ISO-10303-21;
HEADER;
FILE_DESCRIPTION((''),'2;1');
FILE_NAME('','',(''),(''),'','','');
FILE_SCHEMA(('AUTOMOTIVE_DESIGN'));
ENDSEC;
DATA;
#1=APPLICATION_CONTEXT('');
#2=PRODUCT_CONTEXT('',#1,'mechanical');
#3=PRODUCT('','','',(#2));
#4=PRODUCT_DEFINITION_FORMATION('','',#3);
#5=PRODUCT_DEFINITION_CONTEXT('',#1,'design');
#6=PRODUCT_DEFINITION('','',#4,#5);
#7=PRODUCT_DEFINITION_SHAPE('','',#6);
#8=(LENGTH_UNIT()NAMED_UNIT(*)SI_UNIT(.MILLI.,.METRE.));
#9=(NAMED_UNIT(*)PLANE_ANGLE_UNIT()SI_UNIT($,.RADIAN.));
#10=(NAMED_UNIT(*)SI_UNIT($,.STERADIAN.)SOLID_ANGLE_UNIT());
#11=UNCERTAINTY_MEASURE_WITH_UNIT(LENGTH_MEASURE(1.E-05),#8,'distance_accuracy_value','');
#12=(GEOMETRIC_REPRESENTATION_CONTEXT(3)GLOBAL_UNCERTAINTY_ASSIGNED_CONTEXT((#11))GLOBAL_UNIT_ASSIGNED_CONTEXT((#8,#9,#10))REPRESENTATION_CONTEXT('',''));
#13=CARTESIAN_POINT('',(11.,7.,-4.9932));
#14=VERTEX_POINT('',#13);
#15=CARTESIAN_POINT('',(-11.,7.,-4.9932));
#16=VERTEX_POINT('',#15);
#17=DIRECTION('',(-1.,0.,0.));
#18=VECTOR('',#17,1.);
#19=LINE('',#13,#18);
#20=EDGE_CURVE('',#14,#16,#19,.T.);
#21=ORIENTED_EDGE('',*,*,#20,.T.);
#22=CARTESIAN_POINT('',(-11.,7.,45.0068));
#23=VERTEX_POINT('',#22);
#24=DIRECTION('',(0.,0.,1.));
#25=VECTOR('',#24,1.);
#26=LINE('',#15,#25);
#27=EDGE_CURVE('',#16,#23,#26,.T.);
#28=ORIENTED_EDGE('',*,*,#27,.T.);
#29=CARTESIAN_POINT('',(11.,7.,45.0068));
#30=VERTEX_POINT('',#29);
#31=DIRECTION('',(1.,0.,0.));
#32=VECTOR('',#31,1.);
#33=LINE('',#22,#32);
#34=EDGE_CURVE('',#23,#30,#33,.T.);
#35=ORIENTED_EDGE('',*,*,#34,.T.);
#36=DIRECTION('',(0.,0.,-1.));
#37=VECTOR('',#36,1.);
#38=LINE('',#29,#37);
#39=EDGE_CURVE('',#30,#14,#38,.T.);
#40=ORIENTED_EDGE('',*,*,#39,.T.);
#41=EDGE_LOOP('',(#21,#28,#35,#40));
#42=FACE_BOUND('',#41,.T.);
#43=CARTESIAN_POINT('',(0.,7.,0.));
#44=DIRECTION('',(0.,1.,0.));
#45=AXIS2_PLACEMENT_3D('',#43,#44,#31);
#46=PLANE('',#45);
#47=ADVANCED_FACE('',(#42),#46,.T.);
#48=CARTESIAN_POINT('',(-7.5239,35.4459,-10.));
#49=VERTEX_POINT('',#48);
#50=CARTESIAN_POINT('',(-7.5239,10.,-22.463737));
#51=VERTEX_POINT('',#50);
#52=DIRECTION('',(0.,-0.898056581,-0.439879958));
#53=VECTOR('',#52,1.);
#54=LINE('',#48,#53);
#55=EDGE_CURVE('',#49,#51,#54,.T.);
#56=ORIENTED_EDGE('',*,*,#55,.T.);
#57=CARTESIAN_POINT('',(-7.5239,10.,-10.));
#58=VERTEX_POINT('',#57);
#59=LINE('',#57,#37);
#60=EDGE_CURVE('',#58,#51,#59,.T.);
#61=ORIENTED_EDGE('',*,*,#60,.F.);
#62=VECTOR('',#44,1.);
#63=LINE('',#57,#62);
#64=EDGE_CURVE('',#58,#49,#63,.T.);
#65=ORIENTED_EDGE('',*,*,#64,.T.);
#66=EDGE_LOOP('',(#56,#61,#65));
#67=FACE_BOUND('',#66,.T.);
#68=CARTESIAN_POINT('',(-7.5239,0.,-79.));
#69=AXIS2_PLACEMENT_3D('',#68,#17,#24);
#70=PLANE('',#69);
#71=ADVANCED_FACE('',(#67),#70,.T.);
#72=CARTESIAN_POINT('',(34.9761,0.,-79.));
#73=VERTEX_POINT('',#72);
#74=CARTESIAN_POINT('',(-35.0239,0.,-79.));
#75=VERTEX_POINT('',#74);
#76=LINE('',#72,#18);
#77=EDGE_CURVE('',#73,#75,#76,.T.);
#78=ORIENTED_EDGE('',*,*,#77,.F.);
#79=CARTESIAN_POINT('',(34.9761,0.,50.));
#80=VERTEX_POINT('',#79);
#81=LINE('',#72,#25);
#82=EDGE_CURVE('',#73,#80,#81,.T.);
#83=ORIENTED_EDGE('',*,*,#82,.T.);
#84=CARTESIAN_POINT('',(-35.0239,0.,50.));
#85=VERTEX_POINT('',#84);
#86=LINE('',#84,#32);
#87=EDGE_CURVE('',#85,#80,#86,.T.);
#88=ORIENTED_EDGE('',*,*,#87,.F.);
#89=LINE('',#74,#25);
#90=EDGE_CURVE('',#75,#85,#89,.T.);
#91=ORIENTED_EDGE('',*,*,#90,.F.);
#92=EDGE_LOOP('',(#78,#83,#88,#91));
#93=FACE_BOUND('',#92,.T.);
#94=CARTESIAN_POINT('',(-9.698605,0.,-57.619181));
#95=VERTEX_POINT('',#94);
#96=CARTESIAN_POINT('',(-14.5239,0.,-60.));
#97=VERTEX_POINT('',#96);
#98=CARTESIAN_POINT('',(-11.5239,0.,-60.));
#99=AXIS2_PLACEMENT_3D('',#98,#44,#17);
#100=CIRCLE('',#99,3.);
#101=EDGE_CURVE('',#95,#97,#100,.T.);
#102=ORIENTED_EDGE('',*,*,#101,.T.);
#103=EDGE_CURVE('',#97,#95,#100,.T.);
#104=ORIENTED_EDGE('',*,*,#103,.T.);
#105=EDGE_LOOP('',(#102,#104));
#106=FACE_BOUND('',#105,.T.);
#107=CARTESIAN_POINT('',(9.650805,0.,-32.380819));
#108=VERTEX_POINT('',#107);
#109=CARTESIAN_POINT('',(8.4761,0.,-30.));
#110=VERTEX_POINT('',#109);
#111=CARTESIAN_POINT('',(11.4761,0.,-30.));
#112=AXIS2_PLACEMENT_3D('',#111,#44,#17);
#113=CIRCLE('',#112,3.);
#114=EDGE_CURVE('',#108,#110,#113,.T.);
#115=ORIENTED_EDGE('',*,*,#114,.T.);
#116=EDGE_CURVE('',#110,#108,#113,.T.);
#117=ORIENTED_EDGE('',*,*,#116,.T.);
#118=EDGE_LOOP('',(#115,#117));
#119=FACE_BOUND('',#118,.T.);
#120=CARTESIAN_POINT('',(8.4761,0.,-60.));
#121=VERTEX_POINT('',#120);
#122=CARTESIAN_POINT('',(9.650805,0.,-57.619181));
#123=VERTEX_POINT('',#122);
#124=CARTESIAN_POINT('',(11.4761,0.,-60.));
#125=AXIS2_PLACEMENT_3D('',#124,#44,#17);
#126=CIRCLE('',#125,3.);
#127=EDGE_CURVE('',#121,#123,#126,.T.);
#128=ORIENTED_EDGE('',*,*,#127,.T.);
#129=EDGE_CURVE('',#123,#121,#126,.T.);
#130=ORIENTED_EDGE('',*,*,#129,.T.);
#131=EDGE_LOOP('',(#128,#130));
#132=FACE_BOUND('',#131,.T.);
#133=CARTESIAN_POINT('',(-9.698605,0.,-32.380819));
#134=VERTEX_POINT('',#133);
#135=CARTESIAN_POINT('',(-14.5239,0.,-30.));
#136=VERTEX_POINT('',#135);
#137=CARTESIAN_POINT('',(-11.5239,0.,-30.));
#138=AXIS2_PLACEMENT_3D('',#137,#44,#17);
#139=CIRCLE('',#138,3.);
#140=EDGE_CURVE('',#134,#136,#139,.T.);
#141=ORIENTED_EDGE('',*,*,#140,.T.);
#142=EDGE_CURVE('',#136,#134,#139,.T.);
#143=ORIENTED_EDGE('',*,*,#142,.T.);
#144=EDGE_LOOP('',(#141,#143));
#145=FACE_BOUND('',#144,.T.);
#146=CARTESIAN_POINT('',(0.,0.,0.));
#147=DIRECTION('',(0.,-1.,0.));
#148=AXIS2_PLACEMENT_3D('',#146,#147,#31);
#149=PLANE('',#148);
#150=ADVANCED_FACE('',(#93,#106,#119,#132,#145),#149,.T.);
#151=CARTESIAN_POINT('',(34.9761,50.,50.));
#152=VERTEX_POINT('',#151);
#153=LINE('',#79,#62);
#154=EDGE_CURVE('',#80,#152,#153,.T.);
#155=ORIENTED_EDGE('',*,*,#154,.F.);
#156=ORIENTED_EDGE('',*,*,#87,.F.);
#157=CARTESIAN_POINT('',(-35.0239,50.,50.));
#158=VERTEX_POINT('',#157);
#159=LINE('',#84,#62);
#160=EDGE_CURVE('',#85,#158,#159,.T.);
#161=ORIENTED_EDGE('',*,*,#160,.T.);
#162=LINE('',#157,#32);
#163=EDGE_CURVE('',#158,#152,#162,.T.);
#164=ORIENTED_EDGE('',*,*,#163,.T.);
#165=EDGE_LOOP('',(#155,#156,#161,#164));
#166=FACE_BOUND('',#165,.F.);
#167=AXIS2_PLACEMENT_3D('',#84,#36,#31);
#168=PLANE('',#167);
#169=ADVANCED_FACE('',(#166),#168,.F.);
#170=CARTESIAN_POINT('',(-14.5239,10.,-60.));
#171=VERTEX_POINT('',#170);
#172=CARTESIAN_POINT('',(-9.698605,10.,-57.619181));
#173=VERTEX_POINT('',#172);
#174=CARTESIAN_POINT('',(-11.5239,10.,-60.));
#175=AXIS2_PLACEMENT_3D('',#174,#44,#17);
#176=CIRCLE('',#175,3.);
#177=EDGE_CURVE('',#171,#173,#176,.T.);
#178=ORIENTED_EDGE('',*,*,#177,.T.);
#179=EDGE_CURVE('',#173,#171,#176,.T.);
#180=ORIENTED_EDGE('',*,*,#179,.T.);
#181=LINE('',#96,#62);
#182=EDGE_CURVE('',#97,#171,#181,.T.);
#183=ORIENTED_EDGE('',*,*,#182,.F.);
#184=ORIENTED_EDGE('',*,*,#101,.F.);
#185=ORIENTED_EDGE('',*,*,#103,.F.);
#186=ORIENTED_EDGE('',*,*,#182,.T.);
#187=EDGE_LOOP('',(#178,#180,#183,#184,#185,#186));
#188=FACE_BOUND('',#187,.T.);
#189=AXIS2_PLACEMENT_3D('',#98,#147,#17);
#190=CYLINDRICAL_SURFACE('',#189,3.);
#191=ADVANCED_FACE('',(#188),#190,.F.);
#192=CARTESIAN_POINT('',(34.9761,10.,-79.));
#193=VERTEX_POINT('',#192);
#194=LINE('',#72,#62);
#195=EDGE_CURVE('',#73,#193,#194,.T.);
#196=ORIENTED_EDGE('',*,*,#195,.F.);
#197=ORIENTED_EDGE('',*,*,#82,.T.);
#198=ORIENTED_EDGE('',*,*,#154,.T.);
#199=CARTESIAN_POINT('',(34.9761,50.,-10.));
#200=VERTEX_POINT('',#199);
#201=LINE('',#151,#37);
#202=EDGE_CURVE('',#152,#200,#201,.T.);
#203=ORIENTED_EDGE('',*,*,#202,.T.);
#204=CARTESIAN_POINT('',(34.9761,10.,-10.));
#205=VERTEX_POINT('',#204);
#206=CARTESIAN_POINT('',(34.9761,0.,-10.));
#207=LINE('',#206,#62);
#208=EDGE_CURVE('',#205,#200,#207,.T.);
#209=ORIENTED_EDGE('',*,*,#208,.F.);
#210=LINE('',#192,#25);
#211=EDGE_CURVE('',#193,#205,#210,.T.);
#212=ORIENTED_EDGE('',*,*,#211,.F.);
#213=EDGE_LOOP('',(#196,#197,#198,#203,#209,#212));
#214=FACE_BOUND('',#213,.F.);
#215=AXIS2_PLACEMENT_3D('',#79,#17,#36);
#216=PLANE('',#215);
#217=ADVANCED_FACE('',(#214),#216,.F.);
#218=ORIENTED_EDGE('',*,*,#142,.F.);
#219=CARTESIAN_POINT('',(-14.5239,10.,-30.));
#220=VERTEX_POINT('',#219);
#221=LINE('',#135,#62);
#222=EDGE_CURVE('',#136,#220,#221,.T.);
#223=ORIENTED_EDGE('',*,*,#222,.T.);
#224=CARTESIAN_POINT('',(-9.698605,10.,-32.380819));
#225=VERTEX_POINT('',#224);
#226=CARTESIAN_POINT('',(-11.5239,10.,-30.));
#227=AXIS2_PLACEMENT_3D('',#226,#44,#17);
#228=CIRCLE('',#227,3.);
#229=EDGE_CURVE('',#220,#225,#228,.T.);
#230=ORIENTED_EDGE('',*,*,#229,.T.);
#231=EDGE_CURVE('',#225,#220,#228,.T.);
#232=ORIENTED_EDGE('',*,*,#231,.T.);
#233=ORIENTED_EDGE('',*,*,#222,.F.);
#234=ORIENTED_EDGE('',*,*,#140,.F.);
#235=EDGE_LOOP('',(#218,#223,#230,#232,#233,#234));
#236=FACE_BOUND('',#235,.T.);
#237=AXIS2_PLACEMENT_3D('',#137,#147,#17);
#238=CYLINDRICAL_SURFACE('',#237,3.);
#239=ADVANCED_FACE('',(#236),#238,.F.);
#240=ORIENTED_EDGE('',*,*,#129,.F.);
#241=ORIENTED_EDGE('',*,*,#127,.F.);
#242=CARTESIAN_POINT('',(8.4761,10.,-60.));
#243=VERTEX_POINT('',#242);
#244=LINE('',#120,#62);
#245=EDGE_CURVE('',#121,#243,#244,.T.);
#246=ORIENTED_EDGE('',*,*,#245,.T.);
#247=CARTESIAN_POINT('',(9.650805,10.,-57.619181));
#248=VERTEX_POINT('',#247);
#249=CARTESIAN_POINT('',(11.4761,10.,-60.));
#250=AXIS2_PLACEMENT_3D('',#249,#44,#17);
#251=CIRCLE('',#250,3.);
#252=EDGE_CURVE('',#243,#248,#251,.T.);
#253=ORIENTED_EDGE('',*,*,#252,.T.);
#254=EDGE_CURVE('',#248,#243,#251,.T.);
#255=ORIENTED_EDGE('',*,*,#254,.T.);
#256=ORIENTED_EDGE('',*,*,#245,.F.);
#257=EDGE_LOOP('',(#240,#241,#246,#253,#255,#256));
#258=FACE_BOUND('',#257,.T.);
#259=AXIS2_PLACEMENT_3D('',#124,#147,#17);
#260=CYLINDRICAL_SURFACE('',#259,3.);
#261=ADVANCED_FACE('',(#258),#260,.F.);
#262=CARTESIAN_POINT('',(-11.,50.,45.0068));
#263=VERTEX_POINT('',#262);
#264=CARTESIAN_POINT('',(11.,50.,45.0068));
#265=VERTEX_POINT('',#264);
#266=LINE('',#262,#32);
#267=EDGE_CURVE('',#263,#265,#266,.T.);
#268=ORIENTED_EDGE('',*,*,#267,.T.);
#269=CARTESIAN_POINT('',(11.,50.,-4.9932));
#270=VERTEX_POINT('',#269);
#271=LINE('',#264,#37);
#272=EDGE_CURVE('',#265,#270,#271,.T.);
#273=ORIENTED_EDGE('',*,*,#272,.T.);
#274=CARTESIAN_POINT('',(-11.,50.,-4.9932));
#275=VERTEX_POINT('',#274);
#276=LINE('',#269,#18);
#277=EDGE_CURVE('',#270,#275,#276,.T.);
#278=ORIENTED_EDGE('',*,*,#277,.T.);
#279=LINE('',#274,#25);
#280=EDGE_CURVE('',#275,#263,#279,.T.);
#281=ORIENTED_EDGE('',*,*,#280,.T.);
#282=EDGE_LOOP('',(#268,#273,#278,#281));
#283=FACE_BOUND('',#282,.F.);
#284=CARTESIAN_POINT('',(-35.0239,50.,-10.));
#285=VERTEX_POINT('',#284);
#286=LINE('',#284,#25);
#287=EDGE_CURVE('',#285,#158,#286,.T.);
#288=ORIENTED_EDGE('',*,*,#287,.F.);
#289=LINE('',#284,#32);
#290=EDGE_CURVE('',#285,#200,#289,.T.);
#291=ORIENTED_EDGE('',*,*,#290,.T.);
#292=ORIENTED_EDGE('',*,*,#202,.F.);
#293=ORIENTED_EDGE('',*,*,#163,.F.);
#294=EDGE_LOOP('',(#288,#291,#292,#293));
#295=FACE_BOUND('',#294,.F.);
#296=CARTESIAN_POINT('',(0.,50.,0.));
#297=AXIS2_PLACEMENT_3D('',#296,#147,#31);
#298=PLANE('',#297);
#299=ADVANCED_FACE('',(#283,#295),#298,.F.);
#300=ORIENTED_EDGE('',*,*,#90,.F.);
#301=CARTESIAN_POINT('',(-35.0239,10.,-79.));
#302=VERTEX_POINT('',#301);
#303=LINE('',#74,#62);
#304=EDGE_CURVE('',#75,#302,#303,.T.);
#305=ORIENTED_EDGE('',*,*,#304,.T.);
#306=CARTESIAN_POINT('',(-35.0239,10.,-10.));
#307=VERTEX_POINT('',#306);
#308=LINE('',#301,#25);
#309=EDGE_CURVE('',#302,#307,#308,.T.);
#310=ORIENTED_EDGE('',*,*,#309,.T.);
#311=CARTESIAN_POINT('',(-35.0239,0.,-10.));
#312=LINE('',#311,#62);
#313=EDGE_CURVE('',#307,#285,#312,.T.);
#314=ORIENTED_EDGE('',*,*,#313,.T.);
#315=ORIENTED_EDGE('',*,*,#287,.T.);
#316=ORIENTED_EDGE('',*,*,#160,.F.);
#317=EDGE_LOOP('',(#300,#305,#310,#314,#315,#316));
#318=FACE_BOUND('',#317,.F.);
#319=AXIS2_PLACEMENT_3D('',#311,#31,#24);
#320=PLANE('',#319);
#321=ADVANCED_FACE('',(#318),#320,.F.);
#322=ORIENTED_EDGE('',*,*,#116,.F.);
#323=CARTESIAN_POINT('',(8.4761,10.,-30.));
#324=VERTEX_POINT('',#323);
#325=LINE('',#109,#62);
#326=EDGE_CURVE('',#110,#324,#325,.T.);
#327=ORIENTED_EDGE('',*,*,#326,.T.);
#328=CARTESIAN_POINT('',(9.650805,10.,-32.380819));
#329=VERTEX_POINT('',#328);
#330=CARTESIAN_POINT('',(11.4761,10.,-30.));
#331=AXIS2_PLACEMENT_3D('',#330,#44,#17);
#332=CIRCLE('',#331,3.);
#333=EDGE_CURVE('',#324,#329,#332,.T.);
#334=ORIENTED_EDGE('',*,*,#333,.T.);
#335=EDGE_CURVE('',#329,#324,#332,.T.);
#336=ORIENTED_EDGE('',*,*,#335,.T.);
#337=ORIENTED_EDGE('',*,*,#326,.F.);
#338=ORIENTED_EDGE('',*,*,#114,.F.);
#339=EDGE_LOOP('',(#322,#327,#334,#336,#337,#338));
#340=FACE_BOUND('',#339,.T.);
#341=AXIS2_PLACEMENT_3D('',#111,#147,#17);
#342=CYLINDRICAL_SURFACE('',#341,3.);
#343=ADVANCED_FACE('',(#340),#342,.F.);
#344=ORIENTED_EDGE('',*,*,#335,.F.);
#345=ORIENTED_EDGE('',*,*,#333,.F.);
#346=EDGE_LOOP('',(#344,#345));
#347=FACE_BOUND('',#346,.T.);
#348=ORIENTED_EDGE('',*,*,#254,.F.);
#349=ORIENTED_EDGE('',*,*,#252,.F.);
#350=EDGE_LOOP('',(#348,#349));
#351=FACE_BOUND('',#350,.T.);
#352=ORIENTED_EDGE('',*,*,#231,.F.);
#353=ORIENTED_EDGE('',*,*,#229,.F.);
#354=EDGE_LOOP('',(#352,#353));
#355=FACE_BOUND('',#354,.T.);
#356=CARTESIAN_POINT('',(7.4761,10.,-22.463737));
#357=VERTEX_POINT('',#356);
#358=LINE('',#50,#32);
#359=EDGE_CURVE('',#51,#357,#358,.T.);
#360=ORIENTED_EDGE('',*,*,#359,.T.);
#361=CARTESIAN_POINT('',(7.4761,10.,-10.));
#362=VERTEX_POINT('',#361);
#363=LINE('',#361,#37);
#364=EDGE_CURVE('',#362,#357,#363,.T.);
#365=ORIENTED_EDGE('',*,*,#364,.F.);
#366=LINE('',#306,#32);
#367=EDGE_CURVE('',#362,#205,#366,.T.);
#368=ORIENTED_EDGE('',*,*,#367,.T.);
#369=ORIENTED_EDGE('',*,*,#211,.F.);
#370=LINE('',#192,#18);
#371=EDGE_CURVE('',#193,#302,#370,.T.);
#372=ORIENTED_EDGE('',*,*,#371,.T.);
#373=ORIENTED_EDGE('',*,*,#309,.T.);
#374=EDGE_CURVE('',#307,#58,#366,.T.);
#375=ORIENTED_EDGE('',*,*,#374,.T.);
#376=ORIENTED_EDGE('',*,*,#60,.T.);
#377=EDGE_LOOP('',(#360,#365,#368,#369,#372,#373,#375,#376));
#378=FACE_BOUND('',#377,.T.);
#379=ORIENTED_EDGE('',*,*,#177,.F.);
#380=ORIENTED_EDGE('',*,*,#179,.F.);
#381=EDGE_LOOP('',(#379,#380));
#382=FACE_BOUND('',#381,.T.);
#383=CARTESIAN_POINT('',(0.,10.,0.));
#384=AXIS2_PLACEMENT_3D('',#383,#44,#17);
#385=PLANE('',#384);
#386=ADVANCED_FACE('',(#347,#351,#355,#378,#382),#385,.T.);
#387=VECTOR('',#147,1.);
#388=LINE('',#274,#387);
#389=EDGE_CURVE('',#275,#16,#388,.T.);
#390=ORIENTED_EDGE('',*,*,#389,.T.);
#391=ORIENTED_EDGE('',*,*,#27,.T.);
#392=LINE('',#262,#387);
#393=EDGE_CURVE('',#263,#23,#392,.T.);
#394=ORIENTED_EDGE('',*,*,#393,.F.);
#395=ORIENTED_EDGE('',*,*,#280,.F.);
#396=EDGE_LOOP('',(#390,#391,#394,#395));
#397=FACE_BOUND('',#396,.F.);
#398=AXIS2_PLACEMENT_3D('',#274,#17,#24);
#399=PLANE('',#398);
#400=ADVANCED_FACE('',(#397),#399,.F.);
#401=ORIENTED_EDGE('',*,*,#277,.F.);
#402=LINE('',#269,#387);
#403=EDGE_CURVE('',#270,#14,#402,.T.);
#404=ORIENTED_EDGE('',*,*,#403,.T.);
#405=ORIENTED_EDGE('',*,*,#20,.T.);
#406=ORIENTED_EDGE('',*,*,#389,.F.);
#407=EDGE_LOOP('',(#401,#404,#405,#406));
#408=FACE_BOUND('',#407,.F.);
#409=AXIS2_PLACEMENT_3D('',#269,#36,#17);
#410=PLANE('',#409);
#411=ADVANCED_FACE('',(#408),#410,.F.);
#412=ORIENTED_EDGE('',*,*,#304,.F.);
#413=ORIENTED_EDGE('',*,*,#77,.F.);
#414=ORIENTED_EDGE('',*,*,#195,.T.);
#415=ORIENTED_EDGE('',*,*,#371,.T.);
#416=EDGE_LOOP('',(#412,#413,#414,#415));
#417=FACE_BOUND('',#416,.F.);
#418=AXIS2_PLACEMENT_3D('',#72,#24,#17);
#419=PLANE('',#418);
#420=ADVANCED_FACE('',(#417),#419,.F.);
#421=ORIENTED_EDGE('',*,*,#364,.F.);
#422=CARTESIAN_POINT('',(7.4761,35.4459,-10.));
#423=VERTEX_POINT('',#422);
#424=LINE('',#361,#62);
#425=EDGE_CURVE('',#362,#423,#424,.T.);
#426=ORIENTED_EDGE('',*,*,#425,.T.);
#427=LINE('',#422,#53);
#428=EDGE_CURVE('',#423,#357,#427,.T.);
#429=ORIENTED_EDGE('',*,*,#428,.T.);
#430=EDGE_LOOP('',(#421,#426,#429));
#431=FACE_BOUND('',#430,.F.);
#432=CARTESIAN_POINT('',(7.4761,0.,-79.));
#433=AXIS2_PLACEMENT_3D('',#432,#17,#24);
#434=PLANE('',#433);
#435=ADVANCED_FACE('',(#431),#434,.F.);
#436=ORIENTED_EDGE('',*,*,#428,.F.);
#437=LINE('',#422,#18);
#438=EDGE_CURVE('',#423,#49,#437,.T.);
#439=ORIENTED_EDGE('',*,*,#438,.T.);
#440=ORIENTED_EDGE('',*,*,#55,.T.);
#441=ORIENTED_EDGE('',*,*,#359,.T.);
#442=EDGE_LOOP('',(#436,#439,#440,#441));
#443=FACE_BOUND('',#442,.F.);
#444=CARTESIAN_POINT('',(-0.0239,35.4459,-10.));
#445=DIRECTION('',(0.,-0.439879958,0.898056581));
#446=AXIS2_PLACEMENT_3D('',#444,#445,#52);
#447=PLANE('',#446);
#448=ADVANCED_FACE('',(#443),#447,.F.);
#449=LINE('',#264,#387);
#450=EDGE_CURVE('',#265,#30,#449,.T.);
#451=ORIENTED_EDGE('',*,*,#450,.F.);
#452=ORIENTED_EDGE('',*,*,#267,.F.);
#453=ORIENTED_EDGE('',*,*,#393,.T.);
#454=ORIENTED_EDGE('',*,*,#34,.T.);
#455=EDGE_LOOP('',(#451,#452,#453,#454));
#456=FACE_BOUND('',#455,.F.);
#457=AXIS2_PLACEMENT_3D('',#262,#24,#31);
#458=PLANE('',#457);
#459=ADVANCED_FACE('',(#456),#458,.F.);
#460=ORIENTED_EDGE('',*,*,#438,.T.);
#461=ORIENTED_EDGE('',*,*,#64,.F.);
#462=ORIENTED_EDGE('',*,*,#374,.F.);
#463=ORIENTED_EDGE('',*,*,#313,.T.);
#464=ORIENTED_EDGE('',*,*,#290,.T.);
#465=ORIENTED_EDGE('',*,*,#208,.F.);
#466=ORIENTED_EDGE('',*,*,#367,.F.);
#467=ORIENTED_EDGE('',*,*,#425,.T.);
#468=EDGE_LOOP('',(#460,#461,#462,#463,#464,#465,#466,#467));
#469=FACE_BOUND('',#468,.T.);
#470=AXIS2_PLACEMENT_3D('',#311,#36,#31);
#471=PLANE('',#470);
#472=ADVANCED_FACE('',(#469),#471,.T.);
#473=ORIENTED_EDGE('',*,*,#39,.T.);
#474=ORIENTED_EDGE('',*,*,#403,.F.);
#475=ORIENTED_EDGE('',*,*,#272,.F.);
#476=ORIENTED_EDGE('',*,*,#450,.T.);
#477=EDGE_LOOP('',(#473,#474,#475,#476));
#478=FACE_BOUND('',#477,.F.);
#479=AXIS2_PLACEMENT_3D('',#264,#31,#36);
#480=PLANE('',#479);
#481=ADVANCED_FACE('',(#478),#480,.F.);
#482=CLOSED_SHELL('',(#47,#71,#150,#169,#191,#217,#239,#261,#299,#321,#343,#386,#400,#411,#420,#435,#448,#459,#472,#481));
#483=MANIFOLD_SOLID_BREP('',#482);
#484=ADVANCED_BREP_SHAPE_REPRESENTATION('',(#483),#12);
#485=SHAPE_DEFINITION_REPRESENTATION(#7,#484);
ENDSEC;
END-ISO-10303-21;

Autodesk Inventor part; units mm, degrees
ref_plane "YZ Plane" through (0, 0, 0) normal (1, 0, 0) x (0, 1, 0)
ref_plane "XZ Plane" through (0, 0, 0) normal (0, 1, 0) x (-1, 0, 0)
ref_plane "XY Plane" through (0, 0, 0) normal (0, 0, 1) x (1, 0, 0)
sketch "Boceto1" plane through (0, 0, 0) normal (0, 1, 0) x (-1, 0, 0)
  line L0 (0.0239, -45) -> (35.0239, -45)
  line L1 (35.0239, -10) -> (-34.9761, -10)
  line L2 (-40.6213, -10) -> (-84.6707, -10)
  line L3 (-100, -10) -> (100, -10)
  line L4 (-100, -10) -> (100, -10)
  line L5 (105.0239, -10) -> (-104.9761, -10)
  line L6 (105.0239, -10) -> (-104.9761, -10)
  line L7 (105, 10) -> (-105, 10)
  line L8 (105, 10) -> (-105, 10)
  line L9 (0.0239, -45) -> (-34.9761, -45)
  circle A0 centre (11.5239, -60) radius 3
  circle A1 centre (11.5239, -30) radius 3
  circle A2 centre (-11.4761, -30) radius 3
  line L10 (11.5239, -30) -> (-11.4761, -60)
  line L11 (-34.9761, -79) -> (35.0239, -79)
  line L12 (-34.9761, -10) -> (-34.9761, -79)
  circle A3 centre (-11.4761, -60) radius 3
  line L13 (11.5239, -60) -> (-11.4761, -30)
  line L14 (35.0239, -45) -> (35.0239, -10)
  line L15 (35.0239, -79) -> (35.0239, -10)
  point P0 (0, 0)
  point P1 (0, 0)
  point P2 (0, 0)
  point P3 (0.0478, -10)
  point P4 (0, 0)
  point P5 (-95.8154, 10)
  dimension "d0" = 20
  dimension "d1" = 20
  dimension "d2" = 30
  dimension "d3" = 30
  dimension "d4" = 20
  dimension "d5" = 35
  dimension "d6" = 35
  dimension "d7" = 69
extrude "Extrusión1" add sketch "Boceto1" along normal blind 10
sketch "Boceto2" plane through (0, 0, 0) normal (0, -1, 0) x (1, 0, 0)
  line L0 (-35.0239, -10) -> (34.9761, -10) projected
  line L1 (-35.0239, -10) -> (-35.0239, 50)
  line L2 (-35.0239, 50) -> (34.9761, 50)
  line L3 (34.9761, 50) -> (34.9761, -10)
  point P0 (0, 0)
  dimension "d10" = 60
extrude "Extrusión2" add sketch "Boceto2" against normal blind 50
sketch "Boceto3" plane through (0, 50, 0) normal (0, 1, 0) x (1, 0, 0)
  line L0 (-35.0239, 79) -> (-35.0239, -50) projected
  line L1 (-35.0239, 9.9865) -> (-35.0239, -50)
  line L2 (-11, -45.0068) -> (11, -45.0068)
  line L3 (11, -45.0068) -> (11, 4.9932)
  line L4 (11, 4.9932) -> (-11, 4.9932)
  line L5 (-11, 4.9932) -> (-11, -45.0068)
  line L6 (-11, -45.0068) -> (11, 4.9932) construction
  line L7 (11, -45.0068) -> (-11, 4.9932) construction
  point P0 (0, 0)
  point P1 (0, -20.0068)
  dimension "d13" = 22
  dimension "d14" = 50
extrude "Extrusión3" cut sketch "Boceto3" against normal blind 43
ref_plane "Plano de trabajo1" through (-0.0239, 0, -79) normal (-1, 0, 0) x (0, 0, 1)
sketch "Boceto4" plane through (-0.0239, 0, -79) normal (-1, 0, 0) x (0, 0, 1)
  line L0 (69, 10) -> (0, 10) projected
  line L1 (69, 10) -> (40.4098, 10)
  line L2 (69, 10) -> (69, 50) projected
  line L3 (69, 10) -> (69, 42.6104)
  line L4 (69, 35.4459) -> (55.8036, 8.5042)
  point P0 (79, 0)
  point P1 (56.5363, 10)
  dimension "d17" = 30
extrude "Extrusión4" add sketch "Boceto4" along normal mid plane 15
properties part number "servo_piece"
